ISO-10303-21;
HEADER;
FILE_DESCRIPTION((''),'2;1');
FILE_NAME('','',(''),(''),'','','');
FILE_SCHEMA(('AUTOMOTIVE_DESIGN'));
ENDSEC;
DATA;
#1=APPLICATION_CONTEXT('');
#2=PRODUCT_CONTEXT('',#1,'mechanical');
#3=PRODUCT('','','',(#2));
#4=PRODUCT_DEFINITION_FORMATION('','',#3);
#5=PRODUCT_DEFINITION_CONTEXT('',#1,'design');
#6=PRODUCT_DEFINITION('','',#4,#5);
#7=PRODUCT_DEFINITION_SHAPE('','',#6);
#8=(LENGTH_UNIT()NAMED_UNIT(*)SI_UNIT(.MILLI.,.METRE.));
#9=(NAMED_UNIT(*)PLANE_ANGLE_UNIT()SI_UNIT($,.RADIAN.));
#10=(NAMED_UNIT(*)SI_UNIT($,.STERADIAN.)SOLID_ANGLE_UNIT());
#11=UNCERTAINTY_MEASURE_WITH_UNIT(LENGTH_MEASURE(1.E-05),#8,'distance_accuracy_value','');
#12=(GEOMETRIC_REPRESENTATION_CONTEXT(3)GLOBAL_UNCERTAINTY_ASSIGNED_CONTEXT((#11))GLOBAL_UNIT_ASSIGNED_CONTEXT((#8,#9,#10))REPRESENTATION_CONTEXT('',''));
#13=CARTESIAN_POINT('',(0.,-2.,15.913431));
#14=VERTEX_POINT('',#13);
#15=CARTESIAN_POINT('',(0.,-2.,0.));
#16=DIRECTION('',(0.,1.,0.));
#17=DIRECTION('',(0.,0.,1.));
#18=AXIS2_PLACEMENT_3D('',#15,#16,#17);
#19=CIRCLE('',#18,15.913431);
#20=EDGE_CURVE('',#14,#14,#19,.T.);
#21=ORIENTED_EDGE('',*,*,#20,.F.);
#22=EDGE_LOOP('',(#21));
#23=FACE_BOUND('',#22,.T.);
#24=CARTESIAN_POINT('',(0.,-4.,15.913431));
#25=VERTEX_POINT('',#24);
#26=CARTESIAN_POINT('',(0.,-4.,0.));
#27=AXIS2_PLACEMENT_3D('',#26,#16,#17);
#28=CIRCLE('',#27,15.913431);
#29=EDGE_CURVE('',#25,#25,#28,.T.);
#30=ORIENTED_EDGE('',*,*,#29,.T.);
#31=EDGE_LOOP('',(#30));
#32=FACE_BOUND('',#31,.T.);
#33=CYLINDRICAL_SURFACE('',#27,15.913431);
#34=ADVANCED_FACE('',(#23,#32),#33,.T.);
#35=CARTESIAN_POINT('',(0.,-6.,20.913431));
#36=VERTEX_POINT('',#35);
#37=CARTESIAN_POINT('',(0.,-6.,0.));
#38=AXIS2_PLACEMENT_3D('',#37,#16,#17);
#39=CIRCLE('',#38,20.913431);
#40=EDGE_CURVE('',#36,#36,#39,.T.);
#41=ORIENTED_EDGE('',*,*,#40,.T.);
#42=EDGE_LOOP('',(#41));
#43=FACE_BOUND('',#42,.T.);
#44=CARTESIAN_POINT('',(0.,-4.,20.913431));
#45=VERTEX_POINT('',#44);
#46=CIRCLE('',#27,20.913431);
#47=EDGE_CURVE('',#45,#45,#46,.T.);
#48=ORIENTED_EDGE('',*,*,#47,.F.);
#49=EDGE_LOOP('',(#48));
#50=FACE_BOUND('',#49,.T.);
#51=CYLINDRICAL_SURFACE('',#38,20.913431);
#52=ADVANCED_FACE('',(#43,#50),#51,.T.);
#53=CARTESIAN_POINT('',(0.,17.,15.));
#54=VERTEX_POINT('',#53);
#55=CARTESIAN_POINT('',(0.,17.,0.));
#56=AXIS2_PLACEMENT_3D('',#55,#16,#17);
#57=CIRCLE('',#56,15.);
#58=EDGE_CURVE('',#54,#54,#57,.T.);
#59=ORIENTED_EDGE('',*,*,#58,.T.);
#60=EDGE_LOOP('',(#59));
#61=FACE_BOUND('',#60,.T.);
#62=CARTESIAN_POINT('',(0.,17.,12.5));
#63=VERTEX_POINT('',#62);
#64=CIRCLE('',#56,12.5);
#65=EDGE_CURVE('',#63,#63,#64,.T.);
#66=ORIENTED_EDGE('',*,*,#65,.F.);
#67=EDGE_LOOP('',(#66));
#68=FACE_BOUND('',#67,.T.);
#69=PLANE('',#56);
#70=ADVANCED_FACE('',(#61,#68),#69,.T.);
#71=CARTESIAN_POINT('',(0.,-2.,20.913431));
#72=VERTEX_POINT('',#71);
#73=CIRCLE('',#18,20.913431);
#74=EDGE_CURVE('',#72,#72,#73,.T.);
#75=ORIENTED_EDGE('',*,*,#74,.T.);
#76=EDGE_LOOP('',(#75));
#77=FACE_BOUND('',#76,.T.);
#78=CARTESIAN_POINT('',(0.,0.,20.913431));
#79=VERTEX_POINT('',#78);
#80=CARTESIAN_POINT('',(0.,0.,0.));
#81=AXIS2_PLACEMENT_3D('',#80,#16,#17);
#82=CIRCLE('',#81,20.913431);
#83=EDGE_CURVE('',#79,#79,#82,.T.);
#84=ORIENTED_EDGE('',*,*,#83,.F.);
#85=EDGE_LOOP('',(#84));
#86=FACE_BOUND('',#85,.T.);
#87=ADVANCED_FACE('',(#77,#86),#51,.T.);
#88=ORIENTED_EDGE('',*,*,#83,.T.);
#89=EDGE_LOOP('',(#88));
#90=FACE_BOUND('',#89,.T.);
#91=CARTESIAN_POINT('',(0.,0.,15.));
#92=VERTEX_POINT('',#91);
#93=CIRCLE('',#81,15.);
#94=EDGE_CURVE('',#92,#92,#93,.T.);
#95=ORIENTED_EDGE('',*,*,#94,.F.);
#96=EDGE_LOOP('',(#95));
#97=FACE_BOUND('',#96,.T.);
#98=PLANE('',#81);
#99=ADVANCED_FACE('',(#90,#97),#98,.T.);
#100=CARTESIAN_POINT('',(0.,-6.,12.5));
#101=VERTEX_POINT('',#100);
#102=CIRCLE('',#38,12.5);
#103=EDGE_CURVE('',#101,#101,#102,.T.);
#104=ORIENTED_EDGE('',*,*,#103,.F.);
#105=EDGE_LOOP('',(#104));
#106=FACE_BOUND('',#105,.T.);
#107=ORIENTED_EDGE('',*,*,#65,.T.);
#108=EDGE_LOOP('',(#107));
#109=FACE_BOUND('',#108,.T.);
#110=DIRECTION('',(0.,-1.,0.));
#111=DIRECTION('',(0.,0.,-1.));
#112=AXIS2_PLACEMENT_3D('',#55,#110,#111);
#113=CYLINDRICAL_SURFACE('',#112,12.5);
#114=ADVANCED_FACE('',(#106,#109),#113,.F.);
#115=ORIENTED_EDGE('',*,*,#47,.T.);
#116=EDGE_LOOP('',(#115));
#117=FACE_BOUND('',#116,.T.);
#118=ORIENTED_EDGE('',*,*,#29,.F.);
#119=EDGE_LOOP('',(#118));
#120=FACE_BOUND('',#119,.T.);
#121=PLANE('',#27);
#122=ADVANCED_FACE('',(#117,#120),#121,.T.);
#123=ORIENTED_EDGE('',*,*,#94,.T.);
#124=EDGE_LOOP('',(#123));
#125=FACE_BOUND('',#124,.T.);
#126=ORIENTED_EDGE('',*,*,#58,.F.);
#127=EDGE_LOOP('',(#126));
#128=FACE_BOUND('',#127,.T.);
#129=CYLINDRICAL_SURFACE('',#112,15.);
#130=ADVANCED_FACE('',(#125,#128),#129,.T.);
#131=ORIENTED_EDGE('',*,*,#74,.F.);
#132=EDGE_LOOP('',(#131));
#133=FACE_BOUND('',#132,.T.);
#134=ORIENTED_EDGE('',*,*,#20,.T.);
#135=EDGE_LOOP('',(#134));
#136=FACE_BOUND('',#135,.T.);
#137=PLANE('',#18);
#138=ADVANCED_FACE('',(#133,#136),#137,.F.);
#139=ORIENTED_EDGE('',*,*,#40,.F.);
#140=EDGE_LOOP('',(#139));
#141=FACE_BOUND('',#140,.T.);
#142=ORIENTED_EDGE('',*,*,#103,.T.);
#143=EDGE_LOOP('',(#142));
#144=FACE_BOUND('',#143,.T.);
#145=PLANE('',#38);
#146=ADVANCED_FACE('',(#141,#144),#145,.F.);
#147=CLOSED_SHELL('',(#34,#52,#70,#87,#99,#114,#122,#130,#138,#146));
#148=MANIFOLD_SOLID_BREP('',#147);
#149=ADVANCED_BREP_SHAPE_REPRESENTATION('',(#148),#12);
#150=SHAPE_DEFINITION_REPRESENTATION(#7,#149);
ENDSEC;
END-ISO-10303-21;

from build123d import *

# Parameters (mm, degrees)
SKETCH1_R           = 15
SKETCH1_R_2         = 12.5
BOSS_EXTRUDE1_DEPTH = 17
BOSS_EXTRUDE2_START = -6
SKETCH1_3_R         = 20.913430936
SKETCH1_3_R_2       = 12.5
BOSS_EXTRUDE2_DEPTH = 6
CUT_EXTRUDE1_START  = -4
SKETCH1_4_R         = 20.913430936
SKETCH1_4_R_2       = 15.913430936
CUT_EXTRUDE1_DEPTH  = 2


with BuildPart() as part:
    # Sketch1 → Boss-Extrude1 (new body)
    with BuildSketch(Plane(origin=(0, 0, 0), x_dir=(1, 0, 0), z_dir=(0, 1, 0))):
        Circle(SKETCH1_R)
        Circle(SKETCH1_R_2, mode=Mode.SUBTRACT)
    extrude(amount=BOSS_EXTRUDE1_DEPTH)

    # Sketch1<3> → Boss-Extrude2 (add)
    with BuildSketch(Plane(origin=(0, 0, 0), x_dir=(1, 0, 0), z_dir=(0, 1, 0)).offset(BOSS_EXTRUDE2_START)):
        Circle(SKETCH1_3_R)
        Circle(SKETCH1_3_R_2, mode=Mode.SUBTRACT)
    extrude(amount=BOSS_EXTRUDE2_DEPTH)

    # Sketch1<4> → Cut-Extrude1 (cut)
    with BuildSketch(Plane(origin=(0, 0, 0), x_dir=(1, 0, 0), z_dir=(0, 1, 0)).offset(CUT_EXTRUDE1_START)):
        Circle(SKETCH1_4_R)
        Circle(SKETCH1_4_R_2, mode=Mode.SUBTRACT)
    extrude(amount=CUT_EXTRUDE1_DEPTH, mode=Mode.SUBTRACT)


solid = part.part
